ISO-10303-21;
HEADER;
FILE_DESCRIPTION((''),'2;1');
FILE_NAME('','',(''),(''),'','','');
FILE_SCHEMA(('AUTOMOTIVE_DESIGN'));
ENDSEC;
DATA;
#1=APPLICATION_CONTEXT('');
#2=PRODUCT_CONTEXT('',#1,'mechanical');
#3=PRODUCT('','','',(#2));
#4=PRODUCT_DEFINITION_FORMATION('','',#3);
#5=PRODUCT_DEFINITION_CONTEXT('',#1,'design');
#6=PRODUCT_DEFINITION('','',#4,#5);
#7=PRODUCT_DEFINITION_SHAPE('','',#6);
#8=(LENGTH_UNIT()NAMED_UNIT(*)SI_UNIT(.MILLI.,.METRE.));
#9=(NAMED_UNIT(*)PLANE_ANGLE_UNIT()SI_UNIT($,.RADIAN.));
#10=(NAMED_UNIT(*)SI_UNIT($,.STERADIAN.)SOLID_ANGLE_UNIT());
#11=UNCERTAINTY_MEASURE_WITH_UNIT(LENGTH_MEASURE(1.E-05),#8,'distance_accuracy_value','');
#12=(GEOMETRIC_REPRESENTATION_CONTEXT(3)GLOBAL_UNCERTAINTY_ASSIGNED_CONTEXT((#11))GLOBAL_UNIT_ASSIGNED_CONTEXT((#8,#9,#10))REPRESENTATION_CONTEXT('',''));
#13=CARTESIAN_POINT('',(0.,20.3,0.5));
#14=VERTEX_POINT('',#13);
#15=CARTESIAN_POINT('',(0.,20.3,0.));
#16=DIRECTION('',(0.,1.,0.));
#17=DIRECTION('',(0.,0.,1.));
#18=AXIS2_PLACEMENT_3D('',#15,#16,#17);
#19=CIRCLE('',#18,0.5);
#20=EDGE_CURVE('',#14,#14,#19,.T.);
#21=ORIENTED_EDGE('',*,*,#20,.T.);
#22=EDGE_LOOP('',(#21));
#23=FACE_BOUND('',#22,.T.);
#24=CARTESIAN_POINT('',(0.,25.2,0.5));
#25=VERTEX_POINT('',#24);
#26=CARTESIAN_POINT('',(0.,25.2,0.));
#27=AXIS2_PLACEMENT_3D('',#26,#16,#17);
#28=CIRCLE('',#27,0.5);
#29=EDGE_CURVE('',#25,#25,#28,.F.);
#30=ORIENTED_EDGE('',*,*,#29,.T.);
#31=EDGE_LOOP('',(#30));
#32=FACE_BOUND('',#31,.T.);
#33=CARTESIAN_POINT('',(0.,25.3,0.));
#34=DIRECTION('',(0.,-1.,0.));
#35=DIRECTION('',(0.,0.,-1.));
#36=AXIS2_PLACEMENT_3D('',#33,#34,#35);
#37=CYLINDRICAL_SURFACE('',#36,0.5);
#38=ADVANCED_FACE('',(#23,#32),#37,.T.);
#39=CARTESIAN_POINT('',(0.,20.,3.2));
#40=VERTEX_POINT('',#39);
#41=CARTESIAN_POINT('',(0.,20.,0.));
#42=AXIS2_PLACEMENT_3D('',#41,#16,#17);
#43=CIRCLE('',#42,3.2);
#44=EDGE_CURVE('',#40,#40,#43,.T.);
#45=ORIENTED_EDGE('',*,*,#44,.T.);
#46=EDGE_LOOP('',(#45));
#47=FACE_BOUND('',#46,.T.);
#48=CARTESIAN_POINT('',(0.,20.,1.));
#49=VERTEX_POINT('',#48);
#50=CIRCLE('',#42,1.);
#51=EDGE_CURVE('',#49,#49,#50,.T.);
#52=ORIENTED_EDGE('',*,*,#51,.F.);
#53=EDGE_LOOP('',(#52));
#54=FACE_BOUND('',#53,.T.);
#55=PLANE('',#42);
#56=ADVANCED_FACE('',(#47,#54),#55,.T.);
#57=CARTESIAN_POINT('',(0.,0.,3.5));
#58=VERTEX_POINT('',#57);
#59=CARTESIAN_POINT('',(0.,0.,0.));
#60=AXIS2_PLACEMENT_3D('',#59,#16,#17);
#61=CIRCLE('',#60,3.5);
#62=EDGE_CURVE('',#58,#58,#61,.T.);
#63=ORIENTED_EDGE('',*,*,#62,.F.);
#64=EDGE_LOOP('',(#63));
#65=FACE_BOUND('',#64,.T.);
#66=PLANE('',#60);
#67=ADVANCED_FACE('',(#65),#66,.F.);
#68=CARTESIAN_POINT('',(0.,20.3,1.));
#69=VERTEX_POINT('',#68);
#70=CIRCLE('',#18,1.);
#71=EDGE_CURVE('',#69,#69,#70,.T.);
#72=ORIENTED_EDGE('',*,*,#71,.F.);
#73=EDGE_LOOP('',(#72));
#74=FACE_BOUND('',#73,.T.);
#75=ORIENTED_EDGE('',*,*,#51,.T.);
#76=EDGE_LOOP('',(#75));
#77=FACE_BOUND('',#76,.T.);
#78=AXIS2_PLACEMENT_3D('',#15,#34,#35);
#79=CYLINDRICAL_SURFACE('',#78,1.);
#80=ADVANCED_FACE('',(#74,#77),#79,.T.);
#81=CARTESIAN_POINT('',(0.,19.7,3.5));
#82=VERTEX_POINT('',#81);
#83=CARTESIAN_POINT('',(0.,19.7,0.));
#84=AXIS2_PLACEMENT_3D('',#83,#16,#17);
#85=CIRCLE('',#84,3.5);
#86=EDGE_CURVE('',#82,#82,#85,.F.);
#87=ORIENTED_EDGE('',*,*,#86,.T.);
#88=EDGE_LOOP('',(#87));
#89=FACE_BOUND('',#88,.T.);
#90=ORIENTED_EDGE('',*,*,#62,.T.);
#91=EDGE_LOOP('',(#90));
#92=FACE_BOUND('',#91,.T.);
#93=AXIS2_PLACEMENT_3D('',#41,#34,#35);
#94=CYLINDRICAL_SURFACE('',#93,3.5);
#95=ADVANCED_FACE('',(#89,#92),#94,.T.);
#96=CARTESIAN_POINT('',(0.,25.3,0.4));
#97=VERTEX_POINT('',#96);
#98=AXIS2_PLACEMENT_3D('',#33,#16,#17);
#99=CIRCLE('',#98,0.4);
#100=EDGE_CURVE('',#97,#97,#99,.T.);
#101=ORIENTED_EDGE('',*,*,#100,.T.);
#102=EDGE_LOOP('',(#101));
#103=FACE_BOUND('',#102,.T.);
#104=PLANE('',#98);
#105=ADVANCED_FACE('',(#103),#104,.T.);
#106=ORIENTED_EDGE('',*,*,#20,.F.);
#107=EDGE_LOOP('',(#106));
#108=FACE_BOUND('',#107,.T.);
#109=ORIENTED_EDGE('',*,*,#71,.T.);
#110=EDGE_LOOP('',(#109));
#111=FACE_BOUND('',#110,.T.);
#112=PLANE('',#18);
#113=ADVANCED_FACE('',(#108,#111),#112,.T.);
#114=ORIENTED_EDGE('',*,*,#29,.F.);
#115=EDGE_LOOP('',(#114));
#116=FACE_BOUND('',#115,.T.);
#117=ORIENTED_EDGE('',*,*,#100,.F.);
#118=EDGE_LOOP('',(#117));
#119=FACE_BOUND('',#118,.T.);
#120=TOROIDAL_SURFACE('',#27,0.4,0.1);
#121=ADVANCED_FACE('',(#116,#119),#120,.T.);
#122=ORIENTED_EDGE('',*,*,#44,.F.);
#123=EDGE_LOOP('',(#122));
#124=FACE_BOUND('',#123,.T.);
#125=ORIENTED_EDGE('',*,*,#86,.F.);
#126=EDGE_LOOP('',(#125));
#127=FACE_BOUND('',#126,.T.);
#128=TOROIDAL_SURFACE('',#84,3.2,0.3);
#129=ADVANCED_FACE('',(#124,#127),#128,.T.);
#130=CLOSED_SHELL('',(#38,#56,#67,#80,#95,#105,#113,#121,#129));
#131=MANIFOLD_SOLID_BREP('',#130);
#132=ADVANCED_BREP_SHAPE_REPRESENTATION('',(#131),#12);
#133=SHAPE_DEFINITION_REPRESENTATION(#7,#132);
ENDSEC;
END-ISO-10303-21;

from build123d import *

# Parameters (mm, degrees)
SKETCH1_R           = 3.5
BOSS_EXTRUDE1_DEPTH = 20
FILLET1_R           = 0.3
SKETCH2_R           = 1
BOSS_EXTRUDE2_DEPTH = 0.3
SKETCH3_R           = 0.5
BOSS_EXTRUDE3_DEPTH = 5
FILLET2_R           = 0.1


with BuildPart() as part:
    # Sketch1 → Boss-Extrude1 (new body)
    with BuildSketch(Plane(origin=(0, 0, 0), x_dir=(1, 0, 0), z_dir=(0, 1, 0))):
        Circle(SKETCH1_R)
    extrude(amount=BOSS_EXTRUDE1_DEPTH)

    # Fillet1
    fillet1_edges = [part.edges().sort_by_distance(p)[0] for p in [
        (-3.5, 20, 0),
    ]]
    fillet(fillet1_edges, radius=FILLET1_R)

    # Sketch2 → Boss-Extrude2 (add)
    with BuildSketch(Plane(origin=(0, 20, 0), x_dir=(1, 0, 0), z_dir=(0, 1, 0))):
        Circle(SKETCH2_R)
    extrude(amount=BOSS_EXTRUDE2_DEPTH)

    # Sketch3 → Boss-Extrude3 (add)
    with BuildSketch(Plane(origin=(0, 20.3, 0), x_dir=(1, 0, 0), z_dir=(0, 1, 0))):
        Circle(SKETCH3_R)
    extrude(amount=BOSS_EXTRUDE3_DEPTH)

    # Fillet2
    fillet2_edges = [part.edges().sort_by_distance(p)[0] for p in [
        (-0.5, 25.3, 0),
    ]]
    fillet(fillet2_edges, radius=FILLET2_R)


solid = part.part
